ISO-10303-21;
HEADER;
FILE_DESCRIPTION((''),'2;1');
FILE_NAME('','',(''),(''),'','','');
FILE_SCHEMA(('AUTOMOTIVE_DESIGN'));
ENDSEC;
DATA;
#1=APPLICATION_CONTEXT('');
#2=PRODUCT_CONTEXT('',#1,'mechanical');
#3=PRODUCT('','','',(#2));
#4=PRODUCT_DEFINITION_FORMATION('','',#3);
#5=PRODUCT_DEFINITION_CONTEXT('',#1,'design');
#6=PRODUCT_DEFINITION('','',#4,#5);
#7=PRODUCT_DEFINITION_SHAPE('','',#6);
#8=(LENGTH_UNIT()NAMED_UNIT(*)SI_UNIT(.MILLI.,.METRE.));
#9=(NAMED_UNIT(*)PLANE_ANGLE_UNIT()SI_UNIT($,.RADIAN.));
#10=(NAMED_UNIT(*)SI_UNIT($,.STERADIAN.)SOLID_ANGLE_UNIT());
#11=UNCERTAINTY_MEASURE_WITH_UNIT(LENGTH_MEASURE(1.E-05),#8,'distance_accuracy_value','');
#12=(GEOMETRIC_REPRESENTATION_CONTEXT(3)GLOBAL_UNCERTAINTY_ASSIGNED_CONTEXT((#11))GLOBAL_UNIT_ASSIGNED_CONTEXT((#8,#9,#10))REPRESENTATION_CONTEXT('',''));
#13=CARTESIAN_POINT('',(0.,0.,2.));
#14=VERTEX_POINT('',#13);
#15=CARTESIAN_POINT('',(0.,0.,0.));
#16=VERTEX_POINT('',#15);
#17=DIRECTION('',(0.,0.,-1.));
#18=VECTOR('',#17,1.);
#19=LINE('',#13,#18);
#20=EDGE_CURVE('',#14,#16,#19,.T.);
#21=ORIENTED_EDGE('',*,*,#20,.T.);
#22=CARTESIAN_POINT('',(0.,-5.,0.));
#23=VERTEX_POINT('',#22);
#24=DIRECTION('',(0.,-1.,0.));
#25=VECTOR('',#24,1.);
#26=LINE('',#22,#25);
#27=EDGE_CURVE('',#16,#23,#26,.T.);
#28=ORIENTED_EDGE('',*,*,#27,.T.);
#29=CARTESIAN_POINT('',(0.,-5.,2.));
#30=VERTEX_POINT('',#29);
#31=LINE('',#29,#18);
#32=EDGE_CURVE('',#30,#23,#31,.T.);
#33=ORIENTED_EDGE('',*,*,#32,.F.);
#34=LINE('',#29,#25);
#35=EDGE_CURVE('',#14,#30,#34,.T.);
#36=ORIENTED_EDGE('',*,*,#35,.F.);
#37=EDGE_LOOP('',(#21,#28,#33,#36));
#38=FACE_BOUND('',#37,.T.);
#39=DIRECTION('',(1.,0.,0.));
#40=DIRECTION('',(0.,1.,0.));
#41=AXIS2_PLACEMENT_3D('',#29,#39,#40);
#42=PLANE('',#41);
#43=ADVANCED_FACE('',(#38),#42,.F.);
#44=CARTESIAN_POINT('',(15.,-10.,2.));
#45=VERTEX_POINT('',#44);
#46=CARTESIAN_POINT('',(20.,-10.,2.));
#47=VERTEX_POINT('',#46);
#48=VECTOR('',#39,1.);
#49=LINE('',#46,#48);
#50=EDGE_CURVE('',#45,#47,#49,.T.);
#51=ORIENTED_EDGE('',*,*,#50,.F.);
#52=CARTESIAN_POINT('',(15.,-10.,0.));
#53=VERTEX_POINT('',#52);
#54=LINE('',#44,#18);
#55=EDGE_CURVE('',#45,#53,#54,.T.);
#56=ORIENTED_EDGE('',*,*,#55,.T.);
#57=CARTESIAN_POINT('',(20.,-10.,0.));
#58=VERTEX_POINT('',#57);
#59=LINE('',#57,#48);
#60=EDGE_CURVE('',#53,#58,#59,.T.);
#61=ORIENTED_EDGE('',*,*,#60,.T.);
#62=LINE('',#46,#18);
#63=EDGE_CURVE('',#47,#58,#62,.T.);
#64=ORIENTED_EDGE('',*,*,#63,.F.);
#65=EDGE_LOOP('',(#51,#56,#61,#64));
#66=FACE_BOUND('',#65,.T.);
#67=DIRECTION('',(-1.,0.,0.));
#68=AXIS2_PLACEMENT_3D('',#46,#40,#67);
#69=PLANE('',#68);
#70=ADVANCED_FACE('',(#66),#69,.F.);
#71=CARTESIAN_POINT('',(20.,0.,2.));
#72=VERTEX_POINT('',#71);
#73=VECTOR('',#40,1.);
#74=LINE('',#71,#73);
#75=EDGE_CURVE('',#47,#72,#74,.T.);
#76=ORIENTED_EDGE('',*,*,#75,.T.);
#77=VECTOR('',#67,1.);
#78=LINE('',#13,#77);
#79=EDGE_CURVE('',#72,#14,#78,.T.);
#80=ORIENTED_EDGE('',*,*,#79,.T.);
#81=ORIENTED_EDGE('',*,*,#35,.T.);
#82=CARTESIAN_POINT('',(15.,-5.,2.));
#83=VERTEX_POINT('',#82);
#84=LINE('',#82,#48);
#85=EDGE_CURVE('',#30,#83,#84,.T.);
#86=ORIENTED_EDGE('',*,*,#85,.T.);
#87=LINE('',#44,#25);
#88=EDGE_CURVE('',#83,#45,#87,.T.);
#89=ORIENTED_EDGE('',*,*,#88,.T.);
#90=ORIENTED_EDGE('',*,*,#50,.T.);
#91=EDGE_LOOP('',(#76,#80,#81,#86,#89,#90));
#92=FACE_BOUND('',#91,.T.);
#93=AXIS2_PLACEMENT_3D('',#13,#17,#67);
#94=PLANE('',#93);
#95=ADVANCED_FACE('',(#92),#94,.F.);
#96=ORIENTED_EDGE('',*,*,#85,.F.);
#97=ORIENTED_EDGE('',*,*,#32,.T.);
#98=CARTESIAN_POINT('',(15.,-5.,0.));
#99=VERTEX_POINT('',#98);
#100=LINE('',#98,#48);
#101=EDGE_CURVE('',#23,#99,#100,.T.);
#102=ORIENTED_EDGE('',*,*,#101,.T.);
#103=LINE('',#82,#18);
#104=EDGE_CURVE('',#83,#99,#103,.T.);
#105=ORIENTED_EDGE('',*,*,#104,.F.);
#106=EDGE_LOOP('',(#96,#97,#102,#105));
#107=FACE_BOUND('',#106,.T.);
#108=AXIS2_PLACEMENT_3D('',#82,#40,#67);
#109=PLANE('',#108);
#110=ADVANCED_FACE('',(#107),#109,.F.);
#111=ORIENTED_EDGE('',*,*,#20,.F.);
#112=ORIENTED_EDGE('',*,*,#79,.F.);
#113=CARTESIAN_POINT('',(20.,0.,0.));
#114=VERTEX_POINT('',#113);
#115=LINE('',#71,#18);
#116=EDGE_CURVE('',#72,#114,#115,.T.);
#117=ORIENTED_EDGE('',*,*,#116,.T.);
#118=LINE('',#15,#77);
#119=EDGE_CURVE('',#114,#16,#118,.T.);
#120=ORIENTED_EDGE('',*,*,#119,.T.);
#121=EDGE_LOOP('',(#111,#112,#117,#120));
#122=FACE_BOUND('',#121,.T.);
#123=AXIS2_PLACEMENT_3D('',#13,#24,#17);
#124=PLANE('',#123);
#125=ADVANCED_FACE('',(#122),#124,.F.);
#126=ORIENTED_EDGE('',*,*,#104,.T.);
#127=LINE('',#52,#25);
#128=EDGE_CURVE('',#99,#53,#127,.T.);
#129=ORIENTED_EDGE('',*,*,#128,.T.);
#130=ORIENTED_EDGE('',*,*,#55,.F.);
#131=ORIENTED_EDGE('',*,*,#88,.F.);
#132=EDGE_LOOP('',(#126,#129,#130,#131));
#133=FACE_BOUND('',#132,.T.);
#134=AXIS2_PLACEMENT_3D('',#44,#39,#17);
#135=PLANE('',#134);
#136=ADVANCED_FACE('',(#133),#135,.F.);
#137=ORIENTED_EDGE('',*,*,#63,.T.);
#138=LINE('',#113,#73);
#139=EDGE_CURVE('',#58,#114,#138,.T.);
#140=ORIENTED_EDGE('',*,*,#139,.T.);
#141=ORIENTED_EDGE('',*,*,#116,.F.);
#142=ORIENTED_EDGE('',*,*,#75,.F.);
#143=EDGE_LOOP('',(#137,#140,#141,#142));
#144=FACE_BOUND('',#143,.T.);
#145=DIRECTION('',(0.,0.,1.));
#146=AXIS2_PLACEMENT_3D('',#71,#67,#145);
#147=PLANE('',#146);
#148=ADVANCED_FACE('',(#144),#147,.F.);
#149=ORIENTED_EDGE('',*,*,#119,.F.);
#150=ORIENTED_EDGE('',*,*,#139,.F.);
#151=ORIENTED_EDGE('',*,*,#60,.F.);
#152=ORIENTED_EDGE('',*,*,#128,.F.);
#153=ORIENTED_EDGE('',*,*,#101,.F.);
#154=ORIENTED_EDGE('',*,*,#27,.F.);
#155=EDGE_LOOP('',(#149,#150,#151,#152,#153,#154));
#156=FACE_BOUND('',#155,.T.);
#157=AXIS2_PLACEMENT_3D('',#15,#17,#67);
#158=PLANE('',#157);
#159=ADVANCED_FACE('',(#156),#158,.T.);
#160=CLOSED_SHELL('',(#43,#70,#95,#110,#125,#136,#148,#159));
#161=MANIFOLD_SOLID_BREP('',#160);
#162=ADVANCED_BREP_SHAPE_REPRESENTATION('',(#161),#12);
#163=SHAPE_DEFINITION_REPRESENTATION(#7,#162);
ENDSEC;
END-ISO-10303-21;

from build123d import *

# Parameters (mm, degrees)
BOSS_EXTRUDE1_DEPTH = 2


with BuildPart() as part:
    # Sketch1 → Boss-Extrude1 (new body)
    with BuildSketch(Plane.XY):
        Polygon((0, 0), (20, 0), (20, -10), (15, -10), (15, -5), (0, -5), align=None)
    extrude(amount=BOSS_EXTRUDE1_DEPTH)


solid = part.part
